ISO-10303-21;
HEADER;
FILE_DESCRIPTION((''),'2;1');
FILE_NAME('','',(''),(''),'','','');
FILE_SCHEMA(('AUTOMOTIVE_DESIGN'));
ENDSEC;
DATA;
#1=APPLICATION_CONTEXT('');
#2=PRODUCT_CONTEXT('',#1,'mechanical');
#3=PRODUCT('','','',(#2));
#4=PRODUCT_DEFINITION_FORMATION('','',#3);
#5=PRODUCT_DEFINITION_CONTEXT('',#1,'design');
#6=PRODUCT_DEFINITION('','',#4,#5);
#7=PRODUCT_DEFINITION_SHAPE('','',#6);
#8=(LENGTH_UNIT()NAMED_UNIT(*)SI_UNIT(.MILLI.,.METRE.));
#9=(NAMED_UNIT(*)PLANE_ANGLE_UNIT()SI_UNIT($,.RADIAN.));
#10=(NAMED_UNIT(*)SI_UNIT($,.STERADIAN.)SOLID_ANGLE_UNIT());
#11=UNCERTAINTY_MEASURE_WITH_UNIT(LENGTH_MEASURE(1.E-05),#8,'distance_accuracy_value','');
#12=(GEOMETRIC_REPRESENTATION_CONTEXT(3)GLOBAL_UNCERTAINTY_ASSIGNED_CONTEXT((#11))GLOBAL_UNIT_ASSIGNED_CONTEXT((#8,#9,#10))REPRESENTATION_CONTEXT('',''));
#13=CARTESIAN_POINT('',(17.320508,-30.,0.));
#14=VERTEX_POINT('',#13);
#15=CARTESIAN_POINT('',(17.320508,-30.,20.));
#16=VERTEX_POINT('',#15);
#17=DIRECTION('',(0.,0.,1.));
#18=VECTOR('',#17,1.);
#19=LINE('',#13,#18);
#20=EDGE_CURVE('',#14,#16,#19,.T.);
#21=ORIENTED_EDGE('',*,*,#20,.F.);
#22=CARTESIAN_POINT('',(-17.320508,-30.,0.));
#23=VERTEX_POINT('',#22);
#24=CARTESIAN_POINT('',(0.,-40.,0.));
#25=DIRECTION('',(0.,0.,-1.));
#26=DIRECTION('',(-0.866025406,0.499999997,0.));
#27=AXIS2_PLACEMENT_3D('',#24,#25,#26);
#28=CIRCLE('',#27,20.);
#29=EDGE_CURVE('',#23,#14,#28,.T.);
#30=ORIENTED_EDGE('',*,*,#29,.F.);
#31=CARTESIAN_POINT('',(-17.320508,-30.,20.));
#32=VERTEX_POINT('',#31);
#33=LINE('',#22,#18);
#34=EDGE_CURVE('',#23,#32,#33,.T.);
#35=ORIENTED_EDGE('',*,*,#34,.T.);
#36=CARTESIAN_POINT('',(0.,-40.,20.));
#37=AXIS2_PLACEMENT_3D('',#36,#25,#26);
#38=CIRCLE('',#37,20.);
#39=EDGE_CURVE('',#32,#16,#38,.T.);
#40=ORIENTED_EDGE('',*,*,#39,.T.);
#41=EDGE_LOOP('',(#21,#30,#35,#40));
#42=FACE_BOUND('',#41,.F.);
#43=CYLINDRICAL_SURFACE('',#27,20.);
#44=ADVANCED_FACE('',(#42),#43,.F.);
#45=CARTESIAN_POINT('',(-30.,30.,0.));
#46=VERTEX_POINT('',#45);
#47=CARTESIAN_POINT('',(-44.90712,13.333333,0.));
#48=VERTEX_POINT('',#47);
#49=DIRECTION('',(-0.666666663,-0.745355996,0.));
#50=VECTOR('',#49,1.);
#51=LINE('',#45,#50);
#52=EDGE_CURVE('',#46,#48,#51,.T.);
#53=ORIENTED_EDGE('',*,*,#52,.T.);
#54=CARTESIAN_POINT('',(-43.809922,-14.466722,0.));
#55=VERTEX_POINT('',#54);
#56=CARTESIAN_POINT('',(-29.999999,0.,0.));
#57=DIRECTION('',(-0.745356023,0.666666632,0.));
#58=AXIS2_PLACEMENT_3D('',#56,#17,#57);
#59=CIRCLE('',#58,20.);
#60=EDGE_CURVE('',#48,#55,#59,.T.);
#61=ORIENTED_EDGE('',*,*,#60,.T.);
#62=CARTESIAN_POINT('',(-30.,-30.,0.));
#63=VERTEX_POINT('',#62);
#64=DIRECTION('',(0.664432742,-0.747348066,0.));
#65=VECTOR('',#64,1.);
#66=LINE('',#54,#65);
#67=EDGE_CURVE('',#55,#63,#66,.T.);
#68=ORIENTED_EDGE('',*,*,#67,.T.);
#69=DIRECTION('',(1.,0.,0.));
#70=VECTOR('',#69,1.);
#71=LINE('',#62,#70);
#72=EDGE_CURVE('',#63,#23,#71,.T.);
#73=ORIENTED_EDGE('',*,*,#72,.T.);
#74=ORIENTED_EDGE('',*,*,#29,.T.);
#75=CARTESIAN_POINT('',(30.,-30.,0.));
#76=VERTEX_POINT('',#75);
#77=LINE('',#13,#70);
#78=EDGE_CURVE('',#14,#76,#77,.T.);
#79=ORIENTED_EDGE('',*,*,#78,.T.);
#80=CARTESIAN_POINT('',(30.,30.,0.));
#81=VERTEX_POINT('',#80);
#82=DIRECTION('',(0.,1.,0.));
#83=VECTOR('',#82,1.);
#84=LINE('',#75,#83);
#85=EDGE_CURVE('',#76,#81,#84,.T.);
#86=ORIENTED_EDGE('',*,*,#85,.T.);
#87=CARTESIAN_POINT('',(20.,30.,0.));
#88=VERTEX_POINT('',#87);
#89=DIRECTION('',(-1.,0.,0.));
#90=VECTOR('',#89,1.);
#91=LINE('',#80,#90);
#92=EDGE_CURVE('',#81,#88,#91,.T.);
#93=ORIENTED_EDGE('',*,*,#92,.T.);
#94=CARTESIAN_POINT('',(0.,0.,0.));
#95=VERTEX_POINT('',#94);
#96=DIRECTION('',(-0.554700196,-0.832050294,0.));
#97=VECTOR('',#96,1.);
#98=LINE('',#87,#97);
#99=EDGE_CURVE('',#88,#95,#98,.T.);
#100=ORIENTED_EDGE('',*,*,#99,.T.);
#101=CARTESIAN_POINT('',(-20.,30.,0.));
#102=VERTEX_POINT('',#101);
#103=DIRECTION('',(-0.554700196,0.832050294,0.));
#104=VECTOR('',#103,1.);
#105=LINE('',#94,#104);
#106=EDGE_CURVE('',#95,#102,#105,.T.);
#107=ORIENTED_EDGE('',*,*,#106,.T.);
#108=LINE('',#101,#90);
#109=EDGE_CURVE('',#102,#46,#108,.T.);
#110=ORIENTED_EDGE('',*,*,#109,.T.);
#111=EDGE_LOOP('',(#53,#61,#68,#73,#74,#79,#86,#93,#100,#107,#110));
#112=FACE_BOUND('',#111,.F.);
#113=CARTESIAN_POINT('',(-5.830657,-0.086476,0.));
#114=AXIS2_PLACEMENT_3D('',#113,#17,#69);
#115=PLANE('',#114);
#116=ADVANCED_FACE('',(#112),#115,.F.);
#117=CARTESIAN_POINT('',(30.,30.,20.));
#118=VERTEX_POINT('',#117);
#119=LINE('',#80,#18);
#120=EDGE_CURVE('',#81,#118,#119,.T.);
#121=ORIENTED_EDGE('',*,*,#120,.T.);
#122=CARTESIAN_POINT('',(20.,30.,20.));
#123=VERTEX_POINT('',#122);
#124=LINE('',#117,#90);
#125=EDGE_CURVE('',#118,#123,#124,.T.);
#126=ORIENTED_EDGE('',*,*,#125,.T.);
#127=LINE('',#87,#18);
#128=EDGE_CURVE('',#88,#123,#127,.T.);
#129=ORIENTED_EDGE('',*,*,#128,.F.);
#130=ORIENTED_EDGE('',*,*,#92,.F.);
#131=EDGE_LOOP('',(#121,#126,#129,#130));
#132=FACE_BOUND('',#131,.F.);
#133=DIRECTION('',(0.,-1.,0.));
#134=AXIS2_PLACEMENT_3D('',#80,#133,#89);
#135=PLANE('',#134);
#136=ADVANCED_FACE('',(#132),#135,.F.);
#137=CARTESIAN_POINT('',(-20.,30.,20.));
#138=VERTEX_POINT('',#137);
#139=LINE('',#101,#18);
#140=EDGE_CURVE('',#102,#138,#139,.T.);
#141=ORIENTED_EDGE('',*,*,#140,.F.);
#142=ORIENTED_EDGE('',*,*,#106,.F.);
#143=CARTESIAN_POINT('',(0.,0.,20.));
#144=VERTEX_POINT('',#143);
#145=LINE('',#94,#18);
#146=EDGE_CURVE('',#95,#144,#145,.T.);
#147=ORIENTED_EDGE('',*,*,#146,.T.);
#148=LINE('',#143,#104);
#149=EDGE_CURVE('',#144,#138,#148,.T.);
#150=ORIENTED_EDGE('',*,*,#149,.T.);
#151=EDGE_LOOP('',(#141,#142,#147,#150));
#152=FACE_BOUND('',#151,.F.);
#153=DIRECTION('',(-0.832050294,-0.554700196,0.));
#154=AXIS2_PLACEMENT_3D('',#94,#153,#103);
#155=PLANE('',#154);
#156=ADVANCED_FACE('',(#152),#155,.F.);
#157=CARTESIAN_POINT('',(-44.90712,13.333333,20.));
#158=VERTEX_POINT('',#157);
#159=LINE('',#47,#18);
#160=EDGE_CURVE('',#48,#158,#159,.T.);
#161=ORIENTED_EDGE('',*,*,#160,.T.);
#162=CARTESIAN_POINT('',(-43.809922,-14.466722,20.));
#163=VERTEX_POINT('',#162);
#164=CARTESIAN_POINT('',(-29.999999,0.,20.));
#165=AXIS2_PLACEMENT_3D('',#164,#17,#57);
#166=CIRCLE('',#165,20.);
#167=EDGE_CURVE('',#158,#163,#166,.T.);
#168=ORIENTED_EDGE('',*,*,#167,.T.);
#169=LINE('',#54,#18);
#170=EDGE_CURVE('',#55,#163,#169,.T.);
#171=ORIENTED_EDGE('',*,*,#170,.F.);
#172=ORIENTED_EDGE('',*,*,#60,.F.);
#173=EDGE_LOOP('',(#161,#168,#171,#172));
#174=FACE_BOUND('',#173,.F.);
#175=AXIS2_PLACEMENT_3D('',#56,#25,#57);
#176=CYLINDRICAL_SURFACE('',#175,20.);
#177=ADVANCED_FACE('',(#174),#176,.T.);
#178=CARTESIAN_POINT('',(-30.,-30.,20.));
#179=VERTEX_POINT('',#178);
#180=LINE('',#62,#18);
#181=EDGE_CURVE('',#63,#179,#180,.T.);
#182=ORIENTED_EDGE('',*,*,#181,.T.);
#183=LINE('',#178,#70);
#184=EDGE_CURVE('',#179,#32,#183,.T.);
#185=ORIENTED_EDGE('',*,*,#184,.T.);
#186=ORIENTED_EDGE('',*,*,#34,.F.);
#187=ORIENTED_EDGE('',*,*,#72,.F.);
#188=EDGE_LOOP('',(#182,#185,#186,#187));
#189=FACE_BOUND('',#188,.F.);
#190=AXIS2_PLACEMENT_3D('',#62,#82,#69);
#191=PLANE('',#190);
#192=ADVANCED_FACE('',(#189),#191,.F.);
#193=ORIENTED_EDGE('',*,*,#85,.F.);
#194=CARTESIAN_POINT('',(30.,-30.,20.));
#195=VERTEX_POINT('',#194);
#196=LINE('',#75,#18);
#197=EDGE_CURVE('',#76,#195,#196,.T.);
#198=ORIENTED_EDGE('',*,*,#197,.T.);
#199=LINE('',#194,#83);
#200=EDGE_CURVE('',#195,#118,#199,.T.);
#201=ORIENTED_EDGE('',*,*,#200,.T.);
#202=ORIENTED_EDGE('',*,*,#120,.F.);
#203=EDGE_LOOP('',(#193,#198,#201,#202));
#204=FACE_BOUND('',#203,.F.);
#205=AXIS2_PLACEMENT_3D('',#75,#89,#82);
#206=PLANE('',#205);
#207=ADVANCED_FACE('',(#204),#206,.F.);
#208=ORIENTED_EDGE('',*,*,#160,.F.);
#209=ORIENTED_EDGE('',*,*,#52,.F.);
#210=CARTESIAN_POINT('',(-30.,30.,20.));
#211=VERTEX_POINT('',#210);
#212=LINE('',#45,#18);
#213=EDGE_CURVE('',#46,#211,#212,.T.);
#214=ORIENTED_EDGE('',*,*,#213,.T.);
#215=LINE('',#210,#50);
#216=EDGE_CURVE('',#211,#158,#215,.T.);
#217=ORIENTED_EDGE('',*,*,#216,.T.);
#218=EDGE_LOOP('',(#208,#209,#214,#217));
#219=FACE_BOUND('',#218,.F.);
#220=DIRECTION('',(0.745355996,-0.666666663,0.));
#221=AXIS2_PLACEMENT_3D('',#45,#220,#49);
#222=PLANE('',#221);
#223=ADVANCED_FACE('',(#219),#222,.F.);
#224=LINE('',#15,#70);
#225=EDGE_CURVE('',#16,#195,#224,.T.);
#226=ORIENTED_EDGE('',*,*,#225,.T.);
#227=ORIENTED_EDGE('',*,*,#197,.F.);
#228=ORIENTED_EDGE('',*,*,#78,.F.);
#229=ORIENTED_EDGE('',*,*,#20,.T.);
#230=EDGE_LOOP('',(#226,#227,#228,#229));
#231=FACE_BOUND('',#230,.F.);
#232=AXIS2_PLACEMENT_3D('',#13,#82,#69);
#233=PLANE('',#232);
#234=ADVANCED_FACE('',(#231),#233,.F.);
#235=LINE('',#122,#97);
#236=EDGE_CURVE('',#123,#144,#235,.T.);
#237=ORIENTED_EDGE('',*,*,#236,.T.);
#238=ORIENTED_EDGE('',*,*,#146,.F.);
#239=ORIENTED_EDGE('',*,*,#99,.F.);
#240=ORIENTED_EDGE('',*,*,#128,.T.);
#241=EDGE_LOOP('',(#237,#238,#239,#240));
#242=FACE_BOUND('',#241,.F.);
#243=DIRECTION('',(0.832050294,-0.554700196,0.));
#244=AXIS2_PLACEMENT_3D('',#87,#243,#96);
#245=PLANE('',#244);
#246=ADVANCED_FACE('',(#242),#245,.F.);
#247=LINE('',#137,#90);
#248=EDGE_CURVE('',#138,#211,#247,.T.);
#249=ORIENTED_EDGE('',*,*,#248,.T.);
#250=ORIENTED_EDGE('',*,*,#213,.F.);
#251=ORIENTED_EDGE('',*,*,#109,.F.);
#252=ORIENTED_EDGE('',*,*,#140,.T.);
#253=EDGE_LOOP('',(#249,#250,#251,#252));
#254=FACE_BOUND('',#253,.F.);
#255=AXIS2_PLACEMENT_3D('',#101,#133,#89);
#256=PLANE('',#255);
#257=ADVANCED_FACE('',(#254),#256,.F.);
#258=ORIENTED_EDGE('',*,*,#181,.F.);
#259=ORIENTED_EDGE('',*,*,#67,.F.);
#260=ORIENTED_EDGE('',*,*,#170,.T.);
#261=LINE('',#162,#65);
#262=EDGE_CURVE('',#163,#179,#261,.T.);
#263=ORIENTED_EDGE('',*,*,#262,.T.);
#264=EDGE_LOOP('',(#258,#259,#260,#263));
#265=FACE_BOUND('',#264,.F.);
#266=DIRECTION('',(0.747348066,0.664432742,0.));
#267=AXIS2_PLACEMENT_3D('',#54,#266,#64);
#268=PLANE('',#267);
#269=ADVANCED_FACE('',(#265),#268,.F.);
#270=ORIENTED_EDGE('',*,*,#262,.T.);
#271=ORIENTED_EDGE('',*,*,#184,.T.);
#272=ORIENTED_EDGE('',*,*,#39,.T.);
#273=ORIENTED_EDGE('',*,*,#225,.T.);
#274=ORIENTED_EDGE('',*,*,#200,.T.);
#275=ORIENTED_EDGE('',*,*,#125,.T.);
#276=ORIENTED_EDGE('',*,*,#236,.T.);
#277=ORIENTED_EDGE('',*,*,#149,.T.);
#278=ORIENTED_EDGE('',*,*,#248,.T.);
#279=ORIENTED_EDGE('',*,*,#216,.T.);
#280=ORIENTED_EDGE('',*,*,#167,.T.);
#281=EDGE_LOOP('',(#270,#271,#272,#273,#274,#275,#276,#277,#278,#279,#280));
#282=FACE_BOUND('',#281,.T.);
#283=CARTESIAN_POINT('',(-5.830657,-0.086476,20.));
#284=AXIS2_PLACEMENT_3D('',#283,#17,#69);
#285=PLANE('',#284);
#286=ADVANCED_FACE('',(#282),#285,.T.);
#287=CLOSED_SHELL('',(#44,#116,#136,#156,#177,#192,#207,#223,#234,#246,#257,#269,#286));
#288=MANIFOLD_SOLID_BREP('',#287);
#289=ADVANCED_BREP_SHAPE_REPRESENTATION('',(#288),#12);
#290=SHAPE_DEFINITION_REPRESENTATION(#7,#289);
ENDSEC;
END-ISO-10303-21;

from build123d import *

# Parameters (mm, degrees)
F1_DEPTH = 20


with BuildPart() as f1:
    # F0 (on Top) → F1 (new body)
    with BuildSketch(Plane.XY):
        with BuildLine():
            ThreePointArc((-44.90712, 13.333333), (-22.863558, 18.683447), (-10, 0))
            ThreePointArc((-10, 0), (-22.132295, -18.387475), (-43.809922, -14.466722))
            Line((-43.809922, -14.466722), (-30, -30))
            Line((-30, -30), (-17.320508, -30))
            ThreePointArc((-17.320508, -30), (0, -20), (17.320508, -30))
            Line((17.320508, -30), (30, -30))
            Line((30, -30), (30, 30))
            Line((30, 30), (20, 30))
            Line((20, 30), (0, 0))
            Line((0, 0), (-20, 30))
            Line((-20, 30), (-30, 30))
            Line((-30, 30), (-44.90712, 13.333333))
        make_face()
        with BuildLine():
            ThreePointArc((-43.809922, -14.466722), (-22.132295, -18.387475), (-10, 0))
            ThreePointArc((-10, 0), (-22.863558, 18.683447), (-44.90712, 13.333333))
            ThreePointArc((-44.90712, 13.333333), (-49.984441, -0.788735), (-43.809922, -14.466722))
        make_face()
    extrude(amount=F1_DEPTH)


solid = f1.part
